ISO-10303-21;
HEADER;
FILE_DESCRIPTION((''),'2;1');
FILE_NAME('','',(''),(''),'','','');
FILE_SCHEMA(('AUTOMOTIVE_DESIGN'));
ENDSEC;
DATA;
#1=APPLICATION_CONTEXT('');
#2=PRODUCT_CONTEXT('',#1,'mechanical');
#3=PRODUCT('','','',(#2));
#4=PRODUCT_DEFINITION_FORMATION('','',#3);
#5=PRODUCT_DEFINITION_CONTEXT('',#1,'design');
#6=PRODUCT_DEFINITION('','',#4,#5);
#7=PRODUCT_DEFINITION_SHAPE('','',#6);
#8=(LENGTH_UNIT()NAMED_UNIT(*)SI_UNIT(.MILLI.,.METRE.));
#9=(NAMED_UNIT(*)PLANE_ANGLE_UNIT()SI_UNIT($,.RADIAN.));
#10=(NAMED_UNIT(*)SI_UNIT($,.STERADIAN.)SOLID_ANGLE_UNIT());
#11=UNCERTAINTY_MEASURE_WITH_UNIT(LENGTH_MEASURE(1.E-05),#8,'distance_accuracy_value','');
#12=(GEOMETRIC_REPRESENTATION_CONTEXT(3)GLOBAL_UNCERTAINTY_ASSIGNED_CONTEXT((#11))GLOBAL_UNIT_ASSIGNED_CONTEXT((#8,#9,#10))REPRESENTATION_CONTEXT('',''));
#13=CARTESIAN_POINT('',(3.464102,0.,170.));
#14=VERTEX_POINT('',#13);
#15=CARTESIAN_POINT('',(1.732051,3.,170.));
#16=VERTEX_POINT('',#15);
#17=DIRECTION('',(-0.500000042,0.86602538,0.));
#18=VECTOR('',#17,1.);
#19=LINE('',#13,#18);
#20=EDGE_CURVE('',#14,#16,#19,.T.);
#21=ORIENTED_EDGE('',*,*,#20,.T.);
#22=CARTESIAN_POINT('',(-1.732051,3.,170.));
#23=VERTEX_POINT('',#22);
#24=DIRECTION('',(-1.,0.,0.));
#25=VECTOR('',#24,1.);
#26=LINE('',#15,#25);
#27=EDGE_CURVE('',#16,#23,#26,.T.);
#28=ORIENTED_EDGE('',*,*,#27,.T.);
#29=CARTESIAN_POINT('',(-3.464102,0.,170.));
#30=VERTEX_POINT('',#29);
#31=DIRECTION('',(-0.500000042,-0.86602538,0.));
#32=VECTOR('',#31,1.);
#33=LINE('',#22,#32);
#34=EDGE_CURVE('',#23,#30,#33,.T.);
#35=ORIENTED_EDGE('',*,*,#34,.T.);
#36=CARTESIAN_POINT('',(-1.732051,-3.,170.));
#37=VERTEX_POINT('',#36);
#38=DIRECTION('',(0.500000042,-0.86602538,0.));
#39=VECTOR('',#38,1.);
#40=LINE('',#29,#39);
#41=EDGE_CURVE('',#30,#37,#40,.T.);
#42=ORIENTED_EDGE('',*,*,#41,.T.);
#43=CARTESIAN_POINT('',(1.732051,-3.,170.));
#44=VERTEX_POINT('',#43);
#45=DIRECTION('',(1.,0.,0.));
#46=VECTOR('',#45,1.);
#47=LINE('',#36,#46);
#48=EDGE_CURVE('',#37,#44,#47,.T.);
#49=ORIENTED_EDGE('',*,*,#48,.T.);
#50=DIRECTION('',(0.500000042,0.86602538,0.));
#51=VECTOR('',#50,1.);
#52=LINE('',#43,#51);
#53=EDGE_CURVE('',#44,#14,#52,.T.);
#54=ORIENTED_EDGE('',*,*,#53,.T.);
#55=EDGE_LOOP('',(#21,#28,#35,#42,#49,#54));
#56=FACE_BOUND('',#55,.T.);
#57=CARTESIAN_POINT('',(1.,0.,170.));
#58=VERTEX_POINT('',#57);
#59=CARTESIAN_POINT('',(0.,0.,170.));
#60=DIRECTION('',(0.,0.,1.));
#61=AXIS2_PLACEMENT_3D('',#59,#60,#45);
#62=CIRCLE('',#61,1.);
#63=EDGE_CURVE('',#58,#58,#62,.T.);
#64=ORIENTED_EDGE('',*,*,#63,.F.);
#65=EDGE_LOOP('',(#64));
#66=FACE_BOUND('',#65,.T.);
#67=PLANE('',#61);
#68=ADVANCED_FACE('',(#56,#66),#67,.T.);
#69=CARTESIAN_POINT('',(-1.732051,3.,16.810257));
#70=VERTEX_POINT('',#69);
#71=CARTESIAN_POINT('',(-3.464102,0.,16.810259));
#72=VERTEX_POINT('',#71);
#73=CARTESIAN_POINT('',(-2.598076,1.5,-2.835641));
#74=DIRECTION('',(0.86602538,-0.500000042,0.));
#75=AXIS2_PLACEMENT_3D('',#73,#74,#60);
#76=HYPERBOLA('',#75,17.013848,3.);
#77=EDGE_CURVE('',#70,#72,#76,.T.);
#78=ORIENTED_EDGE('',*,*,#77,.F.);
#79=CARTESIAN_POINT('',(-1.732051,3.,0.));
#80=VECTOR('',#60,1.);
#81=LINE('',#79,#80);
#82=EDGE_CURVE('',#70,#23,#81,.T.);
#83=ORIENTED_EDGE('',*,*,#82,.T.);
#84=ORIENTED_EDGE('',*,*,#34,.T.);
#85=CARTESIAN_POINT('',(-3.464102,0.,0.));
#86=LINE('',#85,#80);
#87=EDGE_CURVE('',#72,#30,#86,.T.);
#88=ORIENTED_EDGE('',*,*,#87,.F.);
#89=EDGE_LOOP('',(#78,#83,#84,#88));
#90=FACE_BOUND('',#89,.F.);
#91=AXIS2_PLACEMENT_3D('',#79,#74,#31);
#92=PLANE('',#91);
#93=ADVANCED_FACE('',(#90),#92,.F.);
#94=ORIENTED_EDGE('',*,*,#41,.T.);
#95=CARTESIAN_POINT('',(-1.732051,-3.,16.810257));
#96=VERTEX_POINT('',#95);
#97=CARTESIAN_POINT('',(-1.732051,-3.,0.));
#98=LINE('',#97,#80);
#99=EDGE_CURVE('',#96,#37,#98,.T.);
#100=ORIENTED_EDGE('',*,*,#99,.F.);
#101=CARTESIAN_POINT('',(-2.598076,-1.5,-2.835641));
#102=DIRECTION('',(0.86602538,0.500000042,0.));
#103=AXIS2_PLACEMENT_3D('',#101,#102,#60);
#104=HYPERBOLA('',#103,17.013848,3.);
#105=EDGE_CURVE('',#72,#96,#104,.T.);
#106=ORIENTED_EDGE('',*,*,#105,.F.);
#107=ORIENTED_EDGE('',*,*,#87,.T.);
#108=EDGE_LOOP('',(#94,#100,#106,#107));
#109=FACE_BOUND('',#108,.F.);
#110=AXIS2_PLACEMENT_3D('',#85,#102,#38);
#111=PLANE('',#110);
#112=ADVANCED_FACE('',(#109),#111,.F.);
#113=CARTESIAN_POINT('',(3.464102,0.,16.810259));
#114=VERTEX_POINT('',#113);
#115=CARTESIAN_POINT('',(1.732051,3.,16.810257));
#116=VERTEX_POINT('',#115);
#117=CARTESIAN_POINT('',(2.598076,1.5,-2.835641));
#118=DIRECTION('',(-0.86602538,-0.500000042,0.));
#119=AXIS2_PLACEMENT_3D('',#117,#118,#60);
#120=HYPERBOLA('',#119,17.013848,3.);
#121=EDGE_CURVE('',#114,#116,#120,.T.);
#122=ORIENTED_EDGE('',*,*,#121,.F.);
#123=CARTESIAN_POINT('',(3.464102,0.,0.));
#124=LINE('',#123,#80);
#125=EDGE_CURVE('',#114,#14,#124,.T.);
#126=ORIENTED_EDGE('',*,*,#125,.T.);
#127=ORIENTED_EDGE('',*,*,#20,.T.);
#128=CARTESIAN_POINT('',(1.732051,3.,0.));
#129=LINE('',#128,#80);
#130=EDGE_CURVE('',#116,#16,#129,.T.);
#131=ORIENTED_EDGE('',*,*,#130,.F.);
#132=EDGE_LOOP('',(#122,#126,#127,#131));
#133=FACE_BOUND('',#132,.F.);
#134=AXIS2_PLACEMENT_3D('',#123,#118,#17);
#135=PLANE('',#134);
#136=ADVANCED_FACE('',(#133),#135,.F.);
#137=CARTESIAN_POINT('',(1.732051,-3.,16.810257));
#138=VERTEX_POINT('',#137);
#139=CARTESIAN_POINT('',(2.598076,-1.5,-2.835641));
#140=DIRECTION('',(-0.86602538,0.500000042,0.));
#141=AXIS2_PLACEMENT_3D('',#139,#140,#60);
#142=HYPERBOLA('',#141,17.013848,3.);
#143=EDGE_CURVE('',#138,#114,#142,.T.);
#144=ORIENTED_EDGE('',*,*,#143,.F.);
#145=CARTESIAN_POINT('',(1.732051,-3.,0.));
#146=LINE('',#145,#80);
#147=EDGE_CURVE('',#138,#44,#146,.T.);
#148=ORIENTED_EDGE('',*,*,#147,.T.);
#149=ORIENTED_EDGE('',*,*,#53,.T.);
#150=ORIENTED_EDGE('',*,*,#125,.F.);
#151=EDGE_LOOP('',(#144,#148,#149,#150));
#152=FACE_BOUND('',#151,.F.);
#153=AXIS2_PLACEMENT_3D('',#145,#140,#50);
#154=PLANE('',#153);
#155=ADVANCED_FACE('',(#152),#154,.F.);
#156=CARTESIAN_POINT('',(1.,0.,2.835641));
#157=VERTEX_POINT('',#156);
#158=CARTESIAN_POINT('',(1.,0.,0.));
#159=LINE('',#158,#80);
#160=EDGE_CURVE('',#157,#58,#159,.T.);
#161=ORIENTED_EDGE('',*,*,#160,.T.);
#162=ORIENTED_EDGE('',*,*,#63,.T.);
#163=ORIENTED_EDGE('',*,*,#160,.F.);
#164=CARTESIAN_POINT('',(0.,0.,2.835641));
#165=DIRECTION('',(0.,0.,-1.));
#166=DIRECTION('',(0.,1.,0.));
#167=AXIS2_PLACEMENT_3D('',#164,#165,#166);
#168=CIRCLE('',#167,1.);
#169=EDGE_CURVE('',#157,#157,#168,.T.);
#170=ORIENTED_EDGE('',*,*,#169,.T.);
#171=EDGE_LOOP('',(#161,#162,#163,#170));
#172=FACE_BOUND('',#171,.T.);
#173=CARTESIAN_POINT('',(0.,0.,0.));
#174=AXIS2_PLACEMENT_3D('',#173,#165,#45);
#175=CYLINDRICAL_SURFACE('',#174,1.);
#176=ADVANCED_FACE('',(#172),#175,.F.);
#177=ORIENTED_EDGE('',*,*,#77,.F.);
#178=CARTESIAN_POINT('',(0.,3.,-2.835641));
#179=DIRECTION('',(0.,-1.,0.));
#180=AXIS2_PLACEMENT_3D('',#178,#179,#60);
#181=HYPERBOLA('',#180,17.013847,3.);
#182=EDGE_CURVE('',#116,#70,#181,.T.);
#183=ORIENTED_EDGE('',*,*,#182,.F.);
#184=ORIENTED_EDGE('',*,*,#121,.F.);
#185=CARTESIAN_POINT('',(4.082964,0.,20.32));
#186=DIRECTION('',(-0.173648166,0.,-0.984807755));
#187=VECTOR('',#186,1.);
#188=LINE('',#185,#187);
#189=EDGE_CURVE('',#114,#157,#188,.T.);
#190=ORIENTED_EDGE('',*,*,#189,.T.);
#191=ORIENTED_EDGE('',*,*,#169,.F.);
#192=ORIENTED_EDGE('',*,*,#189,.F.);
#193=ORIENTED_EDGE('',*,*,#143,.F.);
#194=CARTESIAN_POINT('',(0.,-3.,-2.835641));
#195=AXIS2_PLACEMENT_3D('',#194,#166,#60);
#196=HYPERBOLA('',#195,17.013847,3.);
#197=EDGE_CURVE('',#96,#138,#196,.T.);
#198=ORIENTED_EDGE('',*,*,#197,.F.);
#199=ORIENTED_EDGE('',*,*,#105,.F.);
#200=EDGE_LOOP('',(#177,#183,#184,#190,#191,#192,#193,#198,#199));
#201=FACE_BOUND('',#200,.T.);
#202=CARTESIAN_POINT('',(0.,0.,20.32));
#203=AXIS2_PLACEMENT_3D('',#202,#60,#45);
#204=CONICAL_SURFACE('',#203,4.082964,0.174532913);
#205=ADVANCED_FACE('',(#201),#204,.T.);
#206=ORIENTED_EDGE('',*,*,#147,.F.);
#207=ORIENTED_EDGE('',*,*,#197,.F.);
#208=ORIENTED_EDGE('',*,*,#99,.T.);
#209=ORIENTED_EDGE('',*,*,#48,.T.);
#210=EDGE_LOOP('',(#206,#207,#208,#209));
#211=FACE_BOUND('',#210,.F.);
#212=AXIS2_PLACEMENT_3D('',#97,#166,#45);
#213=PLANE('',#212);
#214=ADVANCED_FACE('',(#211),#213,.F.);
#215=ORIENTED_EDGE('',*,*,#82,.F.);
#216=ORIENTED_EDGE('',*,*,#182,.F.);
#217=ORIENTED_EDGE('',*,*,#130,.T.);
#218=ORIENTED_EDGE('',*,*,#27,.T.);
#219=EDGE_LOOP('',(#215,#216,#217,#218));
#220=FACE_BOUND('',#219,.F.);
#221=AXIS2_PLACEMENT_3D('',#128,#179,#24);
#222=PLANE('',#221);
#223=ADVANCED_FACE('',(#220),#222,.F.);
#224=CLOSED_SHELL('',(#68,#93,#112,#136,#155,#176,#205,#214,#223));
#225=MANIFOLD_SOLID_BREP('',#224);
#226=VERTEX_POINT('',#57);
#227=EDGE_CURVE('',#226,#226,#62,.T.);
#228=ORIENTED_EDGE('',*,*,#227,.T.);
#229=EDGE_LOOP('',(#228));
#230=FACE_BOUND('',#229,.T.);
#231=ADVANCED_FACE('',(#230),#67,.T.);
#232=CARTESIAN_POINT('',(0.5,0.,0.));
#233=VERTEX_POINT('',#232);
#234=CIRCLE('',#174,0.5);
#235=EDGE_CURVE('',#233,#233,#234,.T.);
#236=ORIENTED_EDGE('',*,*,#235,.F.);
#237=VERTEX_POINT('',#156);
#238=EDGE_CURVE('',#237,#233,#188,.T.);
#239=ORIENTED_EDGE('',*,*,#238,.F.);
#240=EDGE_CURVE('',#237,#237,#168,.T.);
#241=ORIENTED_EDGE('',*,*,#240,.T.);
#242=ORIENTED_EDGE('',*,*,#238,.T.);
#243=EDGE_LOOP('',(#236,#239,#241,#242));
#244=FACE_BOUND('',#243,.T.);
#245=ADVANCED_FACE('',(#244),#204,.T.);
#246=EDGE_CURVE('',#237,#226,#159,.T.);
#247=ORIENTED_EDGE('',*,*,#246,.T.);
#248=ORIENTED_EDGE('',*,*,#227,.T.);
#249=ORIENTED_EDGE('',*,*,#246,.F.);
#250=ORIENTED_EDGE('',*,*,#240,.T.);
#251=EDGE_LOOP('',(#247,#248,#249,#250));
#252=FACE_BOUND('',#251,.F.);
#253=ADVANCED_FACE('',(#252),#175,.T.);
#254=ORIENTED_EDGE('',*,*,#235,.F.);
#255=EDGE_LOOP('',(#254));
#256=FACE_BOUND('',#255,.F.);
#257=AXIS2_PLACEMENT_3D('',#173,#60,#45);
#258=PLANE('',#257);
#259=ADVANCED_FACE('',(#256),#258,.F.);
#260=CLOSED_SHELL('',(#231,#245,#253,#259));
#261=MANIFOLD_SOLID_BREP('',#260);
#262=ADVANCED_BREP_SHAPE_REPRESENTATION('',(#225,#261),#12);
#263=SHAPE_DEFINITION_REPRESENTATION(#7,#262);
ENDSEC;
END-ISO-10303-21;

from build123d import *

# Parameters (mm, degrees)
F0_R     = 1
F1_DEPTH = 170
F2_DEPTH = 170


with BuildPart() as f1:
    # F0 (on Top) → F1 (new body)
    with BuildSketch(Plane.XY):
        Polygon((1.732051, 3), (-1.732051, 3), (-3.464102, 0), (-1.732051, -3), (1.732051, -3), (3.464102, 0), align=None)
        Circle(F0_R, mode=Mode.SUBTRACT)
    extrude(amount=F1_DEPTH)


with BuildPart() as f2:
    # F0 (on Top) → F2 (new body)
    with BuildSketch(Plane.XY):
        Circle(F0_R)
    extrude(amount=F2_DEPTH)


with BuildPart() as f4_tool:
    # F3 (on Front) → F4 (revolve)
    with BuildSketch(Plane.XZ):
        Polygon((4.082964, 20.32), (0.5, 0), (4.082964, 0), align=None)
    revolve(axis=Axis((0, 0, -2.013294), (0, 0, -1)))


with BuildPart() as f1_1:
    add(f1.part)

    # F4: cut by f4_tool
    add(f4_tool.part, mode=Mode.SUBTRACT)


with BuildPart() as f2_1:
    add(f2.part)

    # F4: cut by f4_tool
    add(f4_tool.part, mode=Mode.SUBTRACT)


solid = Compound([f1_1.part, f2_1.part])
